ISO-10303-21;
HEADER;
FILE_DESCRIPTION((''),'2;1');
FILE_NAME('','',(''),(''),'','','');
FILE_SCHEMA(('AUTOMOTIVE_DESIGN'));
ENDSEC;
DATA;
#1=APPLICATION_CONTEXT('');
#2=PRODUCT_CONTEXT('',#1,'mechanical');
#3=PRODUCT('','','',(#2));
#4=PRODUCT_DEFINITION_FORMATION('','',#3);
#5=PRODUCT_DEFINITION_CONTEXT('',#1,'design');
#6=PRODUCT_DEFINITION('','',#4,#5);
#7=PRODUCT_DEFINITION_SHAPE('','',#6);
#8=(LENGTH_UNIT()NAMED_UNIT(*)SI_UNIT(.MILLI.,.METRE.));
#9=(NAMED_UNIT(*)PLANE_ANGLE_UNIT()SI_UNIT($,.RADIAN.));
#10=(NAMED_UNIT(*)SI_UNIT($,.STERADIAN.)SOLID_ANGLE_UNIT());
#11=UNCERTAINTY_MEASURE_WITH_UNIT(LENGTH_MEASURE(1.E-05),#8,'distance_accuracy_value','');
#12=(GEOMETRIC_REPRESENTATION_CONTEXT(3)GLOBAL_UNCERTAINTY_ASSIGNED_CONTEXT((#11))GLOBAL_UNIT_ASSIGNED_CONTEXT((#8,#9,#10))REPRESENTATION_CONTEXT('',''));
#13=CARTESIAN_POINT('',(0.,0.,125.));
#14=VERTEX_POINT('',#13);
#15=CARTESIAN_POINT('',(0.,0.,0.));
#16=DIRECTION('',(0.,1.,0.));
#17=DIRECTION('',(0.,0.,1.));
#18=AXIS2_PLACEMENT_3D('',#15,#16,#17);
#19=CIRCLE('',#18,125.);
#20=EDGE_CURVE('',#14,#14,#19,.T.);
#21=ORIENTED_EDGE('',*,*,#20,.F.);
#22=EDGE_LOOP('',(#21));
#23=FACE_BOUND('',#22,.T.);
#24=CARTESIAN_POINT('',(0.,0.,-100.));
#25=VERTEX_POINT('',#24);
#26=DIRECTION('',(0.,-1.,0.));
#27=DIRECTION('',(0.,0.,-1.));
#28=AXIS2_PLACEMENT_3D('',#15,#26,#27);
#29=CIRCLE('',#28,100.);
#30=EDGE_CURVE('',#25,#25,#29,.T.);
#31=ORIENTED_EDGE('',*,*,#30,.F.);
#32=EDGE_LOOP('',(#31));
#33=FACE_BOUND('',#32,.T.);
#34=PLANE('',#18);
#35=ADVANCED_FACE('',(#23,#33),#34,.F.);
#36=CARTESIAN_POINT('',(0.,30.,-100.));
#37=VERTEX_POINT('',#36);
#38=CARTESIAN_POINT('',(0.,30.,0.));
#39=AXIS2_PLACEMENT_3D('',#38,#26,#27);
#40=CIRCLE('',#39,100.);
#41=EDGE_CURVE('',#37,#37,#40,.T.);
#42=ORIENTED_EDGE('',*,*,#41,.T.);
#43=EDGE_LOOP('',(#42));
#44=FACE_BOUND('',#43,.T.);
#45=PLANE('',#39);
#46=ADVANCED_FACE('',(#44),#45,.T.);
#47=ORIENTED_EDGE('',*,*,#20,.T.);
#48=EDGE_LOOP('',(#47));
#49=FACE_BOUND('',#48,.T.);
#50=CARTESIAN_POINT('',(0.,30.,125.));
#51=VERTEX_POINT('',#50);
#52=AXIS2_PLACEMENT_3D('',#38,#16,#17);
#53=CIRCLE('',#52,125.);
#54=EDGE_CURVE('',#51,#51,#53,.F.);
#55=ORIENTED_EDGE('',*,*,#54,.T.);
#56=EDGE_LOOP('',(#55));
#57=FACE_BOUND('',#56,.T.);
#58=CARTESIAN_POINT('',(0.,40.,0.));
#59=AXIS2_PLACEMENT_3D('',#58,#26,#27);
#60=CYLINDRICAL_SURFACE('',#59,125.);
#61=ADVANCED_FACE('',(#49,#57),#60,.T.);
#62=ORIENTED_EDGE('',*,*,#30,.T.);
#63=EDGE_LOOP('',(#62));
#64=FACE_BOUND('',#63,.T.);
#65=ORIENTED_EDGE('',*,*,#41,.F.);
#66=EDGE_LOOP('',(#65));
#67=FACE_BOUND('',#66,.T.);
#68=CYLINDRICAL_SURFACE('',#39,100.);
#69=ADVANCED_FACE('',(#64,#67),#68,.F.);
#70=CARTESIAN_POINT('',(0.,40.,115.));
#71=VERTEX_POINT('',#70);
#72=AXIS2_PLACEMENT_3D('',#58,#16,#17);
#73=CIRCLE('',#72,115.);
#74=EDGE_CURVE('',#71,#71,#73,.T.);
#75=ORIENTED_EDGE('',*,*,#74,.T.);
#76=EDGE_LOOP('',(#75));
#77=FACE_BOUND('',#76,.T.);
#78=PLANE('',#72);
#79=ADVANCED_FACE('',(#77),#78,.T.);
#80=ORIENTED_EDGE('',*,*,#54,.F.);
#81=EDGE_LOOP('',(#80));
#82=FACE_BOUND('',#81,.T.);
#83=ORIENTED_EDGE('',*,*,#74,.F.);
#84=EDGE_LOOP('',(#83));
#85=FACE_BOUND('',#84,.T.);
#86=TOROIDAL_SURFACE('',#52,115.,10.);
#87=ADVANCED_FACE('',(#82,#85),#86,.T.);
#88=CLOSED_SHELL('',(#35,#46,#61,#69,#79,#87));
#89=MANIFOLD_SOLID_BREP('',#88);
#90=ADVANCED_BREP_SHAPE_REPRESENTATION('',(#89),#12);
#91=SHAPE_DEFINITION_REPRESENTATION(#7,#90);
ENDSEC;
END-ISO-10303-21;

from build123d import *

# Parameters (mm, degrees)
CROQUIS1_R              = 125
SALIENTE_EXTRUIR1_DEPTH = 40
CROQUIS2_R              = 100
CORTAR_EXTRUIR1_DEPTH   = 30
REDONDEO1_R             = 10


with BuildPart() as part:
    # Croquis1 → Saliente-Extruir1 (new body)
    with BuildSketch(Plane(origin=(0, 0, 0), x_dir=(1, 0, 0), z_dir=(0, 1, 0))):
        with Locations(Location((0, 0, 0), (0, 0, 270))):
            Circle(CROQUIS1_R)
    extrude(amount=SALIENTE_EXTRUIR1_DEPTH)

    # Croquis2 → Cortar-Extruir1 (cut)
    with BuildSketch(Plane.XZ):
        with Locations(Location((0, 0, 0), (0, 0, 270))):
            Circle(CROQUIS2_R)
    extrude(amount=-CORTAR_EXTRUIR1_DEPTH, mode=Mode.SUBTRACT)

    # Redondeo1
    redondeo1_edges = [part.edges().sort_by_distance(p)[0] for p in [
        (0, 40, -125),
    ]]
    fillet(redondeo1_edges, radius=REDONDEO1_R)


solid = part.part
